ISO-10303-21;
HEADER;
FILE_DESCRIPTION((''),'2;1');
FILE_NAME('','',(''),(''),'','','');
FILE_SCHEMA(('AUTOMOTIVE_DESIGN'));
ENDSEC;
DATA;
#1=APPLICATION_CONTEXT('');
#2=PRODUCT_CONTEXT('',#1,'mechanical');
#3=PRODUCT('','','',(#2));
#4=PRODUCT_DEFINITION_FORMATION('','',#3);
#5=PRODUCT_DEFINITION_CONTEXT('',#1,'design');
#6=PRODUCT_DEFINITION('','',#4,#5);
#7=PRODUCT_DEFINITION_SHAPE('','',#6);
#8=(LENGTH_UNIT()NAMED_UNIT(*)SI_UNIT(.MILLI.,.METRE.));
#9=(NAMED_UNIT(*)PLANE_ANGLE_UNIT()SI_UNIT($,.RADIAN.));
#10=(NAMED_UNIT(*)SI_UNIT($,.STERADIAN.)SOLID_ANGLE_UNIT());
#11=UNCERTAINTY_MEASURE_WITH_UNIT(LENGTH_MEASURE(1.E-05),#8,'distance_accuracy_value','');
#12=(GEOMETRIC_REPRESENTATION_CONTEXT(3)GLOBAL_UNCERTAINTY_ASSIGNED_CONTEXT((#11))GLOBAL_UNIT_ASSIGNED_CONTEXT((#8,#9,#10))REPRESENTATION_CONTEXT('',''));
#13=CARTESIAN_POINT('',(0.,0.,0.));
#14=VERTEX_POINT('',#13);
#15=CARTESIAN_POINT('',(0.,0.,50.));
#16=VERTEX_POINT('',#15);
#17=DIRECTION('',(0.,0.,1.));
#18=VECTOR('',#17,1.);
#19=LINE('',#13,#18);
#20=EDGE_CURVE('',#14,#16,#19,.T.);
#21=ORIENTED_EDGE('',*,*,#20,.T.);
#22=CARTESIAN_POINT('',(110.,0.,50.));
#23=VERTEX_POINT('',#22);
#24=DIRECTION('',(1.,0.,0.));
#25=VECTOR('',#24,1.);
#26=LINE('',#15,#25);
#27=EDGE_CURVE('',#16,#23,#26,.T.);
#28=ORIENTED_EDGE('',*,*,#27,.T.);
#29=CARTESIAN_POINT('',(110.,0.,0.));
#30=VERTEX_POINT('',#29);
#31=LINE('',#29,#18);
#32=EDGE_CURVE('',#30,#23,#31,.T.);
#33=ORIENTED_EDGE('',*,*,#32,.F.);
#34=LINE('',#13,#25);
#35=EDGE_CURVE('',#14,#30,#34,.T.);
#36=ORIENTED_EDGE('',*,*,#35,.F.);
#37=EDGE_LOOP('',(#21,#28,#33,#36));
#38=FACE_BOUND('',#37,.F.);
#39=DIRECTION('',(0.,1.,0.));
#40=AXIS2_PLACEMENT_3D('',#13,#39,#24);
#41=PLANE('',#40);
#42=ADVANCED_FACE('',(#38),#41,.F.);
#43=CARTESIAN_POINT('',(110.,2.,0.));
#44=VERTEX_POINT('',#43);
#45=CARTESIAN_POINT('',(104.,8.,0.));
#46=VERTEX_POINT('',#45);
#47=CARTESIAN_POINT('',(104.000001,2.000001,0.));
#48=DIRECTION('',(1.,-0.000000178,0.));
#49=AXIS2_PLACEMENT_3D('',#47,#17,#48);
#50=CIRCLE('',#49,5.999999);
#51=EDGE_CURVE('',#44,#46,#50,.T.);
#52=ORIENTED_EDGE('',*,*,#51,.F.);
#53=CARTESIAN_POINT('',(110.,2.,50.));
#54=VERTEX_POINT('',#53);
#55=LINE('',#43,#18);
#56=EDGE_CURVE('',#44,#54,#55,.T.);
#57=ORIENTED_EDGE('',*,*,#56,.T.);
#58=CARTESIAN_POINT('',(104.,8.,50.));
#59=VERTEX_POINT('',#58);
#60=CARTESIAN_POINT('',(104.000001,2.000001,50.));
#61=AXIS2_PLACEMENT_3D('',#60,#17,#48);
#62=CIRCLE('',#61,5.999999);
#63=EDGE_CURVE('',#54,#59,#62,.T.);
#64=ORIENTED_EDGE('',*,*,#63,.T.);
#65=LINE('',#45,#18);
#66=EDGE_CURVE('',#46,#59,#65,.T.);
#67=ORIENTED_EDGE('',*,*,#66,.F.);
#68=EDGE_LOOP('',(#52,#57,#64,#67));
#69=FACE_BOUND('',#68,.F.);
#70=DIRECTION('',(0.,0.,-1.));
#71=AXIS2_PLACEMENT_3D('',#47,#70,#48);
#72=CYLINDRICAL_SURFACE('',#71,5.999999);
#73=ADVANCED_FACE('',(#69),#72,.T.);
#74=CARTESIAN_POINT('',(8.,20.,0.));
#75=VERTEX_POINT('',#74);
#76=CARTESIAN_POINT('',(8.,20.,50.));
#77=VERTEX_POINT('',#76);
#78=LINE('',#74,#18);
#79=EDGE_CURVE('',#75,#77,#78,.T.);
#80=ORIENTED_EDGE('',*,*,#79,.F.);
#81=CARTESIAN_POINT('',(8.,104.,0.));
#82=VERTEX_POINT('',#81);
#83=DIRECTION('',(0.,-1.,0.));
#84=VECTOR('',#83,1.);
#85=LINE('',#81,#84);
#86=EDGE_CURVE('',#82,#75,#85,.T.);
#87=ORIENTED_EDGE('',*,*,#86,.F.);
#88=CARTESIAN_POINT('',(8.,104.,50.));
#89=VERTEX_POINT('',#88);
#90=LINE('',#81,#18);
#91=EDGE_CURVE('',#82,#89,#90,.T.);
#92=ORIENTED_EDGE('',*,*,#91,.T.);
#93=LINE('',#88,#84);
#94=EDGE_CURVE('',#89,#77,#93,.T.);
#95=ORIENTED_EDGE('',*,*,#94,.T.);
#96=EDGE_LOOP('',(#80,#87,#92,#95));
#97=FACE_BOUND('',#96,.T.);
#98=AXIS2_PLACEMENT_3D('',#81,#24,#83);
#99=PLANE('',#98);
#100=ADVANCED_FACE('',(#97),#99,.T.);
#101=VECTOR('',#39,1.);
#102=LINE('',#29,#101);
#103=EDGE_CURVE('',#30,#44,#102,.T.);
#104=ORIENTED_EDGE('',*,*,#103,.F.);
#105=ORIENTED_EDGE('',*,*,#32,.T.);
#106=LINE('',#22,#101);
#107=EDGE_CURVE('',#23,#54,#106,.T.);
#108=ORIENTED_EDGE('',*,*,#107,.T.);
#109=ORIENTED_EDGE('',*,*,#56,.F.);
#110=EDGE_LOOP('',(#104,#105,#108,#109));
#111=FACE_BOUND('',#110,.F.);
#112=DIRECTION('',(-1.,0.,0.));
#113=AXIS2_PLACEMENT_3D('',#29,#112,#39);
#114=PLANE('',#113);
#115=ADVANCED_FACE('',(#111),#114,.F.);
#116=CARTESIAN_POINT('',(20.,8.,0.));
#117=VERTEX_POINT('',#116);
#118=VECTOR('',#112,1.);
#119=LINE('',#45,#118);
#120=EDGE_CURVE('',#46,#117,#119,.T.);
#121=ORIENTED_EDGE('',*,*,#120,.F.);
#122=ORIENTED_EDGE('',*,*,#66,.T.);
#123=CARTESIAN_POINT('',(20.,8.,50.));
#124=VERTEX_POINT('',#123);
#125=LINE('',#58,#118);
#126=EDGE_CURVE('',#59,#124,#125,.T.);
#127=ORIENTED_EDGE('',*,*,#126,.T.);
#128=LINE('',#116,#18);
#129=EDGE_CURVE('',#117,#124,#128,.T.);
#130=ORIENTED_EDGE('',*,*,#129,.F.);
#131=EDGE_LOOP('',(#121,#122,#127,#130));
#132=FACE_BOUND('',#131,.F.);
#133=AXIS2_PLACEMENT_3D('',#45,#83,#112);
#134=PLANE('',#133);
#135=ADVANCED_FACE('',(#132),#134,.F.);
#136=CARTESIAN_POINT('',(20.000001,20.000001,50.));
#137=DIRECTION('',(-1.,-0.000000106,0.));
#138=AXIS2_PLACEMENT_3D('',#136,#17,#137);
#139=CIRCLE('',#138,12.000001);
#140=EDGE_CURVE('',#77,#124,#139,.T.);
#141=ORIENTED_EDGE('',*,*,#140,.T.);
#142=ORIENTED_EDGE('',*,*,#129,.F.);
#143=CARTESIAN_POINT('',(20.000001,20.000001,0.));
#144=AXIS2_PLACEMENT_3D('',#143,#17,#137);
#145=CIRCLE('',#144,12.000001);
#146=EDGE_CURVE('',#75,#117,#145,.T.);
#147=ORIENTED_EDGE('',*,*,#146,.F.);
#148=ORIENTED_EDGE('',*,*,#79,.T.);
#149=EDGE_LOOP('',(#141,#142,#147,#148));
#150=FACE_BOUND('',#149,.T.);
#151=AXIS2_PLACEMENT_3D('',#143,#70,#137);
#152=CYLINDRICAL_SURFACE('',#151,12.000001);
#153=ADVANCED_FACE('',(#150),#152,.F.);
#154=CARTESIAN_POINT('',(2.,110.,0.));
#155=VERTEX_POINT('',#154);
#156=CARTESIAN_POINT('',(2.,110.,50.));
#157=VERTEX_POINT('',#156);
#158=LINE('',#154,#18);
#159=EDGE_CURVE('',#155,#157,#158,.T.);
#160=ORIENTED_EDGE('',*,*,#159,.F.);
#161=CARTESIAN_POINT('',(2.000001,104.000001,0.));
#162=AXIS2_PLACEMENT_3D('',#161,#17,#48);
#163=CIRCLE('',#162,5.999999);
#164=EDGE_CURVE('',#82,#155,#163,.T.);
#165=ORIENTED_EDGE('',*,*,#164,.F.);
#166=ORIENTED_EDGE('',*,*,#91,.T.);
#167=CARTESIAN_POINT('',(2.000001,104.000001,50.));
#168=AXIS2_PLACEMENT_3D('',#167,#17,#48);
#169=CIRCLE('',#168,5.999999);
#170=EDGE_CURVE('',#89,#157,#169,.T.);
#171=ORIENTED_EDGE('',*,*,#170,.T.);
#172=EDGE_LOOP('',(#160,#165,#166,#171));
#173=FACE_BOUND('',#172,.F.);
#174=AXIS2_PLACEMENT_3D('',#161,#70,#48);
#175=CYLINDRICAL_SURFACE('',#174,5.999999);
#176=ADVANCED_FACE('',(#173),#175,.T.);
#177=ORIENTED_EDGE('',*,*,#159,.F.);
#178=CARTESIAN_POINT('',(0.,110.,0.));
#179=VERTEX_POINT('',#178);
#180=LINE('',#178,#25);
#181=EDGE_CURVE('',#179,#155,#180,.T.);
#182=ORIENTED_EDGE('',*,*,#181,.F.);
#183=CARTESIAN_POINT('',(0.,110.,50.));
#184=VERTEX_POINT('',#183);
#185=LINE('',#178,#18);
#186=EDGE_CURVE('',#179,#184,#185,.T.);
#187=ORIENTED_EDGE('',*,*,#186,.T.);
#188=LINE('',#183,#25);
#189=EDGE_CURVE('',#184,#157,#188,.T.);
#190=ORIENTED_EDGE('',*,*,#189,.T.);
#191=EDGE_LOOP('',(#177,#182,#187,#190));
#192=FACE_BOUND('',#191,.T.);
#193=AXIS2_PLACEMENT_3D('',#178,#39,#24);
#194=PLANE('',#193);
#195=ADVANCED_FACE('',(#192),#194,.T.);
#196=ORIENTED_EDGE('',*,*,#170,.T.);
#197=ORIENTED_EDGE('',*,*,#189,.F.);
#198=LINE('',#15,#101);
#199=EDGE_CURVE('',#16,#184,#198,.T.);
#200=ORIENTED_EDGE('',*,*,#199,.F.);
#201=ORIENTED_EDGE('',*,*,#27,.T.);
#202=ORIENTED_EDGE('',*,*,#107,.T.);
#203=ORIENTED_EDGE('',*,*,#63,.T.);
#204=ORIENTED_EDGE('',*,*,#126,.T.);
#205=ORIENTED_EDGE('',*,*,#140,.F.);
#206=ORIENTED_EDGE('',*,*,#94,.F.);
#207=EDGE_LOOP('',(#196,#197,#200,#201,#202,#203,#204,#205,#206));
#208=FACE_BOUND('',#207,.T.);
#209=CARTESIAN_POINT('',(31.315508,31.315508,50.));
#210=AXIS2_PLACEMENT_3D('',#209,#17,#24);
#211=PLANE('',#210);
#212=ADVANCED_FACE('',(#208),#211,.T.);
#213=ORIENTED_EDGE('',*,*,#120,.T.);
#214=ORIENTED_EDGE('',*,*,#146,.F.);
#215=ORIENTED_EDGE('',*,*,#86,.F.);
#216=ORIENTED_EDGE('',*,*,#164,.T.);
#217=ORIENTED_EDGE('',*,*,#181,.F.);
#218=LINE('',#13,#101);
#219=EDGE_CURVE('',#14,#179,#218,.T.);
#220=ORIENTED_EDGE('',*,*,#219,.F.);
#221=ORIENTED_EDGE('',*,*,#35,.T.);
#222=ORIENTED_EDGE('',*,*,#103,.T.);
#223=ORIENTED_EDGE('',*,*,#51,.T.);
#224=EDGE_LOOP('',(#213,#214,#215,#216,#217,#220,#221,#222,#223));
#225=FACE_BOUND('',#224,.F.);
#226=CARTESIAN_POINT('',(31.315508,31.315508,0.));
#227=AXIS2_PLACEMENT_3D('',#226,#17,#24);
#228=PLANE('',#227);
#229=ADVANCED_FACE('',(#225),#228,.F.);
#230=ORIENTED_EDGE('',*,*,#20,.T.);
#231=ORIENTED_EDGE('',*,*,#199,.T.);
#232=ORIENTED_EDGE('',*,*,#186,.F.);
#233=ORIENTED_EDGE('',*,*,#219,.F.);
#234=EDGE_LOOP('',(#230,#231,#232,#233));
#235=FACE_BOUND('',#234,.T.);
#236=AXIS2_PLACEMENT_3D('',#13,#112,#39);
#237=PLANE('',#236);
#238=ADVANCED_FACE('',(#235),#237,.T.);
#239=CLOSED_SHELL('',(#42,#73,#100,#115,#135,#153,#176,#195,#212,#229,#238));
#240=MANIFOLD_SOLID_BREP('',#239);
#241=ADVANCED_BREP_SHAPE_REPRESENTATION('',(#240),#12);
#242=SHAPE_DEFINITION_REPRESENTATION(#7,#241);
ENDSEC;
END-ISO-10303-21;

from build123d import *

# Parameters (mm, degrees)
EXTRUDE_DEPTH = 50


with BuildPart() as part:
    # Sketch → Extrude (new body)
    with BuildSketch(Plane.XY):
        with BuildLine():
            Line((0, 0), (110, 0))
            Line((110, 0), (110, 2))
            ThreePointArc((110, 2), (108.242641, 6.242641), (104, 8))
            Line((104, 8), (20, 8))
            ThreePointArc((8, 20), (11.514719, 11.514719), (20, 8))
            Line((8, 104), (8, 20))
            ThreePointArc((8, 104), (6.242641, 108.242641), (2, 110))
            Line((0, 110), (2, 110))
            Line((0, 0), (0, 110))
        make_face()
    extrude(amount=EXTRUDE_DEPTH)


solid = part.part
